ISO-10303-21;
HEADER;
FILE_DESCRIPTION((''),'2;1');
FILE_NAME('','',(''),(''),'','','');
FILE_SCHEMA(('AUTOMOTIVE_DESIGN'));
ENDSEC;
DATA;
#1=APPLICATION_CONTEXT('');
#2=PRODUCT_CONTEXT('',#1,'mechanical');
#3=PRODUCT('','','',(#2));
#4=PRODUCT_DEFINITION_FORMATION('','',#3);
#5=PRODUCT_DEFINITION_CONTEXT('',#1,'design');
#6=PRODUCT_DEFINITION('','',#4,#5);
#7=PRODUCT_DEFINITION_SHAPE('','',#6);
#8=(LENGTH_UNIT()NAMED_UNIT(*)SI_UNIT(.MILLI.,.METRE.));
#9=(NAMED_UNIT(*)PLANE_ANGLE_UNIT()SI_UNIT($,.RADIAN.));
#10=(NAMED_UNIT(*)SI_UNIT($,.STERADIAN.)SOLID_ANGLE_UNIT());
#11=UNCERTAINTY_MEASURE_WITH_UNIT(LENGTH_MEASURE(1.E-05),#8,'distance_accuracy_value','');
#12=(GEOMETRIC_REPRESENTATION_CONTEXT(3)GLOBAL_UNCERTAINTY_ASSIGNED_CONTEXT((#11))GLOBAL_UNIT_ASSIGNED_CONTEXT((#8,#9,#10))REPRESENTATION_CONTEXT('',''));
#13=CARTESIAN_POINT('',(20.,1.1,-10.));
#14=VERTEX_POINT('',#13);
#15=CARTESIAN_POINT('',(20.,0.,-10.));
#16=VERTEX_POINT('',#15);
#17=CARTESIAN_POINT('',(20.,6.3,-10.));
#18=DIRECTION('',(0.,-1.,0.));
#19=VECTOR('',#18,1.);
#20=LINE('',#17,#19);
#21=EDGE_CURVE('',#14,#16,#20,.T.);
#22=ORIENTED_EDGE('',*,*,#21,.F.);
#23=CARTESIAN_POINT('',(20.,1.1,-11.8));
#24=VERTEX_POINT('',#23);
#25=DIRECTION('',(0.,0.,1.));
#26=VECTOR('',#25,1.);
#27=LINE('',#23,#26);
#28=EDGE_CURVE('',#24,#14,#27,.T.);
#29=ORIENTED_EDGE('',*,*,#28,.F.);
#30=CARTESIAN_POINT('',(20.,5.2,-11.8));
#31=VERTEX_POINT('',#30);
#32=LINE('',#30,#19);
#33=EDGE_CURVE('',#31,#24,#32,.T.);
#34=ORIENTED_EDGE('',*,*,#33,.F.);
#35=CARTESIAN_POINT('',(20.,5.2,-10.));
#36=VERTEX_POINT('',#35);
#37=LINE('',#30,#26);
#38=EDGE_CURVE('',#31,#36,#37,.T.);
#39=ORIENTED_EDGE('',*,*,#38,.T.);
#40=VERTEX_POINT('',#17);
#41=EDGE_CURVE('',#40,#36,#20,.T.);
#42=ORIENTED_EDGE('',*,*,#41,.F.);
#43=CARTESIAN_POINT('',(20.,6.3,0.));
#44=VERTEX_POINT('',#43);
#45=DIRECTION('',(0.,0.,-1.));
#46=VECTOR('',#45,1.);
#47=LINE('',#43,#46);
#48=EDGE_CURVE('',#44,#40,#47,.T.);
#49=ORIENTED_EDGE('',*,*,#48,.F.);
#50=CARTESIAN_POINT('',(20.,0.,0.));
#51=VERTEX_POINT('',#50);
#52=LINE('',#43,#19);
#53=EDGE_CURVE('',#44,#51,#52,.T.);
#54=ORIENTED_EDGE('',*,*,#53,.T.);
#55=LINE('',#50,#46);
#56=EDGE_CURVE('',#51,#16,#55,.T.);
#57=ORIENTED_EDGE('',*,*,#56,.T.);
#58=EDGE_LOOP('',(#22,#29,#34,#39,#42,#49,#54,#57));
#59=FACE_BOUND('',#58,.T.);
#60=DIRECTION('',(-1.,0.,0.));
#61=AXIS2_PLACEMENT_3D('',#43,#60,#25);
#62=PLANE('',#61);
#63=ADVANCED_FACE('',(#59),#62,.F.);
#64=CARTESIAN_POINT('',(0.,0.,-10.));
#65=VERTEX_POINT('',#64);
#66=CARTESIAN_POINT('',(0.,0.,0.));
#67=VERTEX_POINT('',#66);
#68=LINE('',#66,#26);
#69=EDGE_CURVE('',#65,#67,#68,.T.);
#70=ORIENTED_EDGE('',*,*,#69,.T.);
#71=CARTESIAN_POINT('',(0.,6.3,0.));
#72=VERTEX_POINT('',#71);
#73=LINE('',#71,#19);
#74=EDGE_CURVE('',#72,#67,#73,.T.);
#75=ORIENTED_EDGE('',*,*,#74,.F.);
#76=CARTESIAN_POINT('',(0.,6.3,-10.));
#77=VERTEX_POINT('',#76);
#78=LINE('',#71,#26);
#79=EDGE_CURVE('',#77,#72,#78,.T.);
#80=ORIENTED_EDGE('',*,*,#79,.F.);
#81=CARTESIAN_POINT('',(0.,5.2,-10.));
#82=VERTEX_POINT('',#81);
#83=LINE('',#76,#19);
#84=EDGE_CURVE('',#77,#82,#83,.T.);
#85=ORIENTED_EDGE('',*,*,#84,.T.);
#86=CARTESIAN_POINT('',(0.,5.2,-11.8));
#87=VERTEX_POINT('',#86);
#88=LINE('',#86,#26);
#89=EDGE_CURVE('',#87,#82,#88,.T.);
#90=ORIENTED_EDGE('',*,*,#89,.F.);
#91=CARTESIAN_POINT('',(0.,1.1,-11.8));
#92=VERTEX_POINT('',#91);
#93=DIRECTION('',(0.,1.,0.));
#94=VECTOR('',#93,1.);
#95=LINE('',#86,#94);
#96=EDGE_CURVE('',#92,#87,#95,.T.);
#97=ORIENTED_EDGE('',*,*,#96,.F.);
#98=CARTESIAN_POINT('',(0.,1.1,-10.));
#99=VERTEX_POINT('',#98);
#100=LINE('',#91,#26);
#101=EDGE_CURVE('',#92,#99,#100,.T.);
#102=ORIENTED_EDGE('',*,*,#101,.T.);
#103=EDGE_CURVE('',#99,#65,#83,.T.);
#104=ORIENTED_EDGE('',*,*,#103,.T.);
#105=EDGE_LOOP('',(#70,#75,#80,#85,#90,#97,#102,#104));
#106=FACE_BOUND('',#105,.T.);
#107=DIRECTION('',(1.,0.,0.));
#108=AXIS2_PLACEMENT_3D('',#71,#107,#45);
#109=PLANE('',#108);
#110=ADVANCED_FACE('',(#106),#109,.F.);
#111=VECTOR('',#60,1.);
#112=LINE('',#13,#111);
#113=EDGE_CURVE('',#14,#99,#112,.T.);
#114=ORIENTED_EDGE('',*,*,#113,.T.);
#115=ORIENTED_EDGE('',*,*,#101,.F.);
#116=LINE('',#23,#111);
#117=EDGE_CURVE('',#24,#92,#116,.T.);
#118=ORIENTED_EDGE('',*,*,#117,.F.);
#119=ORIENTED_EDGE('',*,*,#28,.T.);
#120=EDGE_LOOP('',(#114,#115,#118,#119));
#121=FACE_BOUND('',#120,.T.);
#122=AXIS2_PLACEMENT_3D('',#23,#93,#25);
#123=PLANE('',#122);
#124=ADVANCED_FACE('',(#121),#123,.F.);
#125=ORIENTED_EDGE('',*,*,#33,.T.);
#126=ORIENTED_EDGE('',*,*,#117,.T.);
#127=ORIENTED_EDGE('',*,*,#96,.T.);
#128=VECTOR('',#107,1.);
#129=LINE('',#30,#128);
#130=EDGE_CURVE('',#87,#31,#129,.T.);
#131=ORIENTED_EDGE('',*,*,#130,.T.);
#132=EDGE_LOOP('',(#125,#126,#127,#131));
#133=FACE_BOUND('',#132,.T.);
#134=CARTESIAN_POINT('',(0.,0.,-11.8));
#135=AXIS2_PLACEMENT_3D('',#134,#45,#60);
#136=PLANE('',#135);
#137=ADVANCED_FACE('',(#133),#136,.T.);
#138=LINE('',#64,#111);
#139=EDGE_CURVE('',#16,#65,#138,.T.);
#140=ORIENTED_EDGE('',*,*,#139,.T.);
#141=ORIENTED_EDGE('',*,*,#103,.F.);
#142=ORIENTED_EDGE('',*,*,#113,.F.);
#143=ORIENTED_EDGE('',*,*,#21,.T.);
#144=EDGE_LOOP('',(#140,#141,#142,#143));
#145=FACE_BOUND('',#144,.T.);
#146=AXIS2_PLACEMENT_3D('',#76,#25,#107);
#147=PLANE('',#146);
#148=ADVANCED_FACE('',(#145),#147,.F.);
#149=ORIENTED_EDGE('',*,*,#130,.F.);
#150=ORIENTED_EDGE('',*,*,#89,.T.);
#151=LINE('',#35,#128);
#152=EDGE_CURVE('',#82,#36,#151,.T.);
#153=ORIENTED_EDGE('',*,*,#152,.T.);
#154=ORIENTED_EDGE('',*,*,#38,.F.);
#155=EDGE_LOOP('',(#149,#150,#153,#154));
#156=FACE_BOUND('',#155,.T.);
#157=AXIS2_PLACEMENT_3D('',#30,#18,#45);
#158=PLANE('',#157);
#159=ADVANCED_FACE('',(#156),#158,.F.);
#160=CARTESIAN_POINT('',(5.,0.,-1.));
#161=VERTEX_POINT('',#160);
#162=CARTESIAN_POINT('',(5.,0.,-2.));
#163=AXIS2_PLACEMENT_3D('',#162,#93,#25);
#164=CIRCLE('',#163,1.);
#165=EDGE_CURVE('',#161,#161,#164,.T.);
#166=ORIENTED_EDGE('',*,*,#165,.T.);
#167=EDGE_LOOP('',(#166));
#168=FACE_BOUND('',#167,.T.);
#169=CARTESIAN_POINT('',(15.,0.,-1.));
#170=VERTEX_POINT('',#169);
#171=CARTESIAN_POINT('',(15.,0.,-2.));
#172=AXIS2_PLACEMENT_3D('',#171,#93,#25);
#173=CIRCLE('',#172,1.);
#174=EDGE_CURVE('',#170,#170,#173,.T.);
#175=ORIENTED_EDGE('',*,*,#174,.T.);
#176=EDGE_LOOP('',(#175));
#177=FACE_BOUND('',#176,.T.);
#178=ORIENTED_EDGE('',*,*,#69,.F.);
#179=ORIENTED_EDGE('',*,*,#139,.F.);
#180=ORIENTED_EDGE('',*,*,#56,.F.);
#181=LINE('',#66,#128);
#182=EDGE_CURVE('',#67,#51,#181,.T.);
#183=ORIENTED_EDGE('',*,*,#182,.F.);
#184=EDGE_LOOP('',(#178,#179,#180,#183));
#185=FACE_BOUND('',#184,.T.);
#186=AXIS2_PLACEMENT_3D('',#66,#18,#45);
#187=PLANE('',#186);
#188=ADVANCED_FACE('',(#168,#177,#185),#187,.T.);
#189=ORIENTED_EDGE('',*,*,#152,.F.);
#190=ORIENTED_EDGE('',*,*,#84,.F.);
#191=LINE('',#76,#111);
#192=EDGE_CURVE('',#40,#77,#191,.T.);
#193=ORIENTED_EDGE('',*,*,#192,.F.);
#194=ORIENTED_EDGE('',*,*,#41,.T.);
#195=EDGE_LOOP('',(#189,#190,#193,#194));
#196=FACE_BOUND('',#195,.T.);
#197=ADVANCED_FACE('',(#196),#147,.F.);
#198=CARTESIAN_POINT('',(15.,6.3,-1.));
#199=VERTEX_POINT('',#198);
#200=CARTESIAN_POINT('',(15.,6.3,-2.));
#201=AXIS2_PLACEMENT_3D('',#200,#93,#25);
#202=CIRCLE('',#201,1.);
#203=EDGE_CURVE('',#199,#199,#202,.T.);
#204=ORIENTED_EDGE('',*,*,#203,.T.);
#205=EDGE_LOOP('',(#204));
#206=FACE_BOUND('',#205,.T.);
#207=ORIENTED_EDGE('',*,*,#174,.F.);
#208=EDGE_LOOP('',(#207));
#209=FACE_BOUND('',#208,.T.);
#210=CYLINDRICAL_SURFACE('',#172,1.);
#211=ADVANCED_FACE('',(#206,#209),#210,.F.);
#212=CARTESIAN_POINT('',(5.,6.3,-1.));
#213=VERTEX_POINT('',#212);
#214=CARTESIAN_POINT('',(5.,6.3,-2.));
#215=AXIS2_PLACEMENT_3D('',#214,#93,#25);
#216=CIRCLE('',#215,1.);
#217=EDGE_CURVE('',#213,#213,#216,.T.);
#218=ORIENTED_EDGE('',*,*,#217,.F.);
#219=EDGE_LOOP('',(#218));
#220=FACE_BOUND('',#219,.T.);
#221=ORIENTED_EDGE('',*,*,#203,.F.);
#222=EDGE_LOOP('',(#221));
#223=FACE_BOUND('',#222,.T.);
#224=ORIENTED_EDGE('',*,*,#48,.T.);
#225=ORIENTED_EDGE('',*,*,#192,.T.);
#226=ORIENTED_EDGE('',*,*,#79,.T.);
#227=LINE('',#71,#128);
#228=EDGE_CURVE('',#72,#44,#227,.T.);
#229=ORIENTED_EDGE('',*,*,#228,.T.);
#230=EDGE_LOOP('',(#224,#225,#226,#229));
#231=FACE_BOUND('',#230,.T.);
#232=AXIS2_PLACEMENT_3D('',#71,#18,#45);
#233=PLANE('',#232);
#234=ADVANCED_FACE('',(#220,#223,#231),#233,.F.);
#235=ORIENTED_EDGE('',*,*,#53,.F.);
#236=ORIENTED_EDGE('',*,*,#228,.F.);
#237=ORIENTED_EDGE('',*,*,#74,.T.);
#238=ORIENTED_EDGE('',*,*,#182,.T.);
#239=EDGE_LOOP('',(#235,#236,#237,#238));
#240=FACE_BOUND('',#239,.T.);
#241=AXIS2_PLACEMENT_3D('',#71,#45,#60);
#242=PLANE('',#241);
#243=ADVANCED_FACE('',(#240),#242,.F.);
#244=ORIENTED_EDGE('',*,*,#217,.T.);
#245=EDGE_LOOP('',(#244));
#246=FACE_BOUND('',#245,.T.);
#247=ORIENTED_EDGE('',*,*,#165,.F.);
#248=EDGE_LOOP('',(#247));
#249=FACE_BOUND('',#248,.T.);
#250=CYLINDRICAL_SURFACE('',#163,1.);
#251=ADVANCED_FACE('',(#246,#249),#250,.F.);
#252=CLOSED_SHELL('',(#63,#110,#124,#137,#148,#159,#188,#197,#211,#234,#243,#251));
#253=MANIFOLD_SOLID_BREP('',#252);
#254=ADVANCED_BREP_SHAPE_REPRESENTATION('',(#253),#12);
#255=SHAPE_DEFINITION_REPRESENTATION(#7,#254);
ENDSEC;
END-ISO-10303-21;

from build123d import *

# Parameters (mm, degrees)
SKETCH1_W           = 20
SKETCH1_H           = 10
BOSS_EXTRUDE1_DEPTH = 6.3
SKETCH2_W           = 20
SKETCH2_H           = 4.1
BOSS_EXTRUDE2_DEPTH = 1.8
SKETCH3_R           = 1
CUT_EXTRUDE1_DEPTH  = 25.060964237


with BuildPart() as part:
    # Sketch1 → Boss-Extrude1 (new body)
    with BuildSketch(Plane(origin=(0, 0, 0), x_dir=(1, 0, 0), z_dir=(0, 1, 0))):
        with Locations((10, 5)):
            Rectangle(SKETCH1_W, SKETCH1_H)
    extrude(amount=BOSS_EXTRUDE1_DEPTH)

    # Sketch2 → Boss-Extrude2 (add)
    with BuildSketch(Plane(origin=(0, 0, -10), x_dir=(-1, 0, 0), z_dir=(0, 0, -1))):
        with Locations((-10, 3.15)):
            Rectangle(SKETCH2_W, SKETCH2_H)
    extrude(amount=BOSS_EXTRUDE2_DEPTH)

    # Sketch3 → Cut-Extrude1 (cut, through all)
    with BuildSketch(Plane(origin=(0, 6.3, 0), x_dir=(1, 0, 0), z_dir=(0, 1, 0))):
        with Locations(Location((5, 2, 0), (0, 0, 270))):
            Circle(SKETCH3_R)
        with Locations(Location((15, 2, 0), (0, 0, 270))):
            Circle(SKETCH3_R)
    extrude(amount=-CUT_EXTRUDE1_DEPTH, mode=Mode.SUBTRACT)


solid = part.part
